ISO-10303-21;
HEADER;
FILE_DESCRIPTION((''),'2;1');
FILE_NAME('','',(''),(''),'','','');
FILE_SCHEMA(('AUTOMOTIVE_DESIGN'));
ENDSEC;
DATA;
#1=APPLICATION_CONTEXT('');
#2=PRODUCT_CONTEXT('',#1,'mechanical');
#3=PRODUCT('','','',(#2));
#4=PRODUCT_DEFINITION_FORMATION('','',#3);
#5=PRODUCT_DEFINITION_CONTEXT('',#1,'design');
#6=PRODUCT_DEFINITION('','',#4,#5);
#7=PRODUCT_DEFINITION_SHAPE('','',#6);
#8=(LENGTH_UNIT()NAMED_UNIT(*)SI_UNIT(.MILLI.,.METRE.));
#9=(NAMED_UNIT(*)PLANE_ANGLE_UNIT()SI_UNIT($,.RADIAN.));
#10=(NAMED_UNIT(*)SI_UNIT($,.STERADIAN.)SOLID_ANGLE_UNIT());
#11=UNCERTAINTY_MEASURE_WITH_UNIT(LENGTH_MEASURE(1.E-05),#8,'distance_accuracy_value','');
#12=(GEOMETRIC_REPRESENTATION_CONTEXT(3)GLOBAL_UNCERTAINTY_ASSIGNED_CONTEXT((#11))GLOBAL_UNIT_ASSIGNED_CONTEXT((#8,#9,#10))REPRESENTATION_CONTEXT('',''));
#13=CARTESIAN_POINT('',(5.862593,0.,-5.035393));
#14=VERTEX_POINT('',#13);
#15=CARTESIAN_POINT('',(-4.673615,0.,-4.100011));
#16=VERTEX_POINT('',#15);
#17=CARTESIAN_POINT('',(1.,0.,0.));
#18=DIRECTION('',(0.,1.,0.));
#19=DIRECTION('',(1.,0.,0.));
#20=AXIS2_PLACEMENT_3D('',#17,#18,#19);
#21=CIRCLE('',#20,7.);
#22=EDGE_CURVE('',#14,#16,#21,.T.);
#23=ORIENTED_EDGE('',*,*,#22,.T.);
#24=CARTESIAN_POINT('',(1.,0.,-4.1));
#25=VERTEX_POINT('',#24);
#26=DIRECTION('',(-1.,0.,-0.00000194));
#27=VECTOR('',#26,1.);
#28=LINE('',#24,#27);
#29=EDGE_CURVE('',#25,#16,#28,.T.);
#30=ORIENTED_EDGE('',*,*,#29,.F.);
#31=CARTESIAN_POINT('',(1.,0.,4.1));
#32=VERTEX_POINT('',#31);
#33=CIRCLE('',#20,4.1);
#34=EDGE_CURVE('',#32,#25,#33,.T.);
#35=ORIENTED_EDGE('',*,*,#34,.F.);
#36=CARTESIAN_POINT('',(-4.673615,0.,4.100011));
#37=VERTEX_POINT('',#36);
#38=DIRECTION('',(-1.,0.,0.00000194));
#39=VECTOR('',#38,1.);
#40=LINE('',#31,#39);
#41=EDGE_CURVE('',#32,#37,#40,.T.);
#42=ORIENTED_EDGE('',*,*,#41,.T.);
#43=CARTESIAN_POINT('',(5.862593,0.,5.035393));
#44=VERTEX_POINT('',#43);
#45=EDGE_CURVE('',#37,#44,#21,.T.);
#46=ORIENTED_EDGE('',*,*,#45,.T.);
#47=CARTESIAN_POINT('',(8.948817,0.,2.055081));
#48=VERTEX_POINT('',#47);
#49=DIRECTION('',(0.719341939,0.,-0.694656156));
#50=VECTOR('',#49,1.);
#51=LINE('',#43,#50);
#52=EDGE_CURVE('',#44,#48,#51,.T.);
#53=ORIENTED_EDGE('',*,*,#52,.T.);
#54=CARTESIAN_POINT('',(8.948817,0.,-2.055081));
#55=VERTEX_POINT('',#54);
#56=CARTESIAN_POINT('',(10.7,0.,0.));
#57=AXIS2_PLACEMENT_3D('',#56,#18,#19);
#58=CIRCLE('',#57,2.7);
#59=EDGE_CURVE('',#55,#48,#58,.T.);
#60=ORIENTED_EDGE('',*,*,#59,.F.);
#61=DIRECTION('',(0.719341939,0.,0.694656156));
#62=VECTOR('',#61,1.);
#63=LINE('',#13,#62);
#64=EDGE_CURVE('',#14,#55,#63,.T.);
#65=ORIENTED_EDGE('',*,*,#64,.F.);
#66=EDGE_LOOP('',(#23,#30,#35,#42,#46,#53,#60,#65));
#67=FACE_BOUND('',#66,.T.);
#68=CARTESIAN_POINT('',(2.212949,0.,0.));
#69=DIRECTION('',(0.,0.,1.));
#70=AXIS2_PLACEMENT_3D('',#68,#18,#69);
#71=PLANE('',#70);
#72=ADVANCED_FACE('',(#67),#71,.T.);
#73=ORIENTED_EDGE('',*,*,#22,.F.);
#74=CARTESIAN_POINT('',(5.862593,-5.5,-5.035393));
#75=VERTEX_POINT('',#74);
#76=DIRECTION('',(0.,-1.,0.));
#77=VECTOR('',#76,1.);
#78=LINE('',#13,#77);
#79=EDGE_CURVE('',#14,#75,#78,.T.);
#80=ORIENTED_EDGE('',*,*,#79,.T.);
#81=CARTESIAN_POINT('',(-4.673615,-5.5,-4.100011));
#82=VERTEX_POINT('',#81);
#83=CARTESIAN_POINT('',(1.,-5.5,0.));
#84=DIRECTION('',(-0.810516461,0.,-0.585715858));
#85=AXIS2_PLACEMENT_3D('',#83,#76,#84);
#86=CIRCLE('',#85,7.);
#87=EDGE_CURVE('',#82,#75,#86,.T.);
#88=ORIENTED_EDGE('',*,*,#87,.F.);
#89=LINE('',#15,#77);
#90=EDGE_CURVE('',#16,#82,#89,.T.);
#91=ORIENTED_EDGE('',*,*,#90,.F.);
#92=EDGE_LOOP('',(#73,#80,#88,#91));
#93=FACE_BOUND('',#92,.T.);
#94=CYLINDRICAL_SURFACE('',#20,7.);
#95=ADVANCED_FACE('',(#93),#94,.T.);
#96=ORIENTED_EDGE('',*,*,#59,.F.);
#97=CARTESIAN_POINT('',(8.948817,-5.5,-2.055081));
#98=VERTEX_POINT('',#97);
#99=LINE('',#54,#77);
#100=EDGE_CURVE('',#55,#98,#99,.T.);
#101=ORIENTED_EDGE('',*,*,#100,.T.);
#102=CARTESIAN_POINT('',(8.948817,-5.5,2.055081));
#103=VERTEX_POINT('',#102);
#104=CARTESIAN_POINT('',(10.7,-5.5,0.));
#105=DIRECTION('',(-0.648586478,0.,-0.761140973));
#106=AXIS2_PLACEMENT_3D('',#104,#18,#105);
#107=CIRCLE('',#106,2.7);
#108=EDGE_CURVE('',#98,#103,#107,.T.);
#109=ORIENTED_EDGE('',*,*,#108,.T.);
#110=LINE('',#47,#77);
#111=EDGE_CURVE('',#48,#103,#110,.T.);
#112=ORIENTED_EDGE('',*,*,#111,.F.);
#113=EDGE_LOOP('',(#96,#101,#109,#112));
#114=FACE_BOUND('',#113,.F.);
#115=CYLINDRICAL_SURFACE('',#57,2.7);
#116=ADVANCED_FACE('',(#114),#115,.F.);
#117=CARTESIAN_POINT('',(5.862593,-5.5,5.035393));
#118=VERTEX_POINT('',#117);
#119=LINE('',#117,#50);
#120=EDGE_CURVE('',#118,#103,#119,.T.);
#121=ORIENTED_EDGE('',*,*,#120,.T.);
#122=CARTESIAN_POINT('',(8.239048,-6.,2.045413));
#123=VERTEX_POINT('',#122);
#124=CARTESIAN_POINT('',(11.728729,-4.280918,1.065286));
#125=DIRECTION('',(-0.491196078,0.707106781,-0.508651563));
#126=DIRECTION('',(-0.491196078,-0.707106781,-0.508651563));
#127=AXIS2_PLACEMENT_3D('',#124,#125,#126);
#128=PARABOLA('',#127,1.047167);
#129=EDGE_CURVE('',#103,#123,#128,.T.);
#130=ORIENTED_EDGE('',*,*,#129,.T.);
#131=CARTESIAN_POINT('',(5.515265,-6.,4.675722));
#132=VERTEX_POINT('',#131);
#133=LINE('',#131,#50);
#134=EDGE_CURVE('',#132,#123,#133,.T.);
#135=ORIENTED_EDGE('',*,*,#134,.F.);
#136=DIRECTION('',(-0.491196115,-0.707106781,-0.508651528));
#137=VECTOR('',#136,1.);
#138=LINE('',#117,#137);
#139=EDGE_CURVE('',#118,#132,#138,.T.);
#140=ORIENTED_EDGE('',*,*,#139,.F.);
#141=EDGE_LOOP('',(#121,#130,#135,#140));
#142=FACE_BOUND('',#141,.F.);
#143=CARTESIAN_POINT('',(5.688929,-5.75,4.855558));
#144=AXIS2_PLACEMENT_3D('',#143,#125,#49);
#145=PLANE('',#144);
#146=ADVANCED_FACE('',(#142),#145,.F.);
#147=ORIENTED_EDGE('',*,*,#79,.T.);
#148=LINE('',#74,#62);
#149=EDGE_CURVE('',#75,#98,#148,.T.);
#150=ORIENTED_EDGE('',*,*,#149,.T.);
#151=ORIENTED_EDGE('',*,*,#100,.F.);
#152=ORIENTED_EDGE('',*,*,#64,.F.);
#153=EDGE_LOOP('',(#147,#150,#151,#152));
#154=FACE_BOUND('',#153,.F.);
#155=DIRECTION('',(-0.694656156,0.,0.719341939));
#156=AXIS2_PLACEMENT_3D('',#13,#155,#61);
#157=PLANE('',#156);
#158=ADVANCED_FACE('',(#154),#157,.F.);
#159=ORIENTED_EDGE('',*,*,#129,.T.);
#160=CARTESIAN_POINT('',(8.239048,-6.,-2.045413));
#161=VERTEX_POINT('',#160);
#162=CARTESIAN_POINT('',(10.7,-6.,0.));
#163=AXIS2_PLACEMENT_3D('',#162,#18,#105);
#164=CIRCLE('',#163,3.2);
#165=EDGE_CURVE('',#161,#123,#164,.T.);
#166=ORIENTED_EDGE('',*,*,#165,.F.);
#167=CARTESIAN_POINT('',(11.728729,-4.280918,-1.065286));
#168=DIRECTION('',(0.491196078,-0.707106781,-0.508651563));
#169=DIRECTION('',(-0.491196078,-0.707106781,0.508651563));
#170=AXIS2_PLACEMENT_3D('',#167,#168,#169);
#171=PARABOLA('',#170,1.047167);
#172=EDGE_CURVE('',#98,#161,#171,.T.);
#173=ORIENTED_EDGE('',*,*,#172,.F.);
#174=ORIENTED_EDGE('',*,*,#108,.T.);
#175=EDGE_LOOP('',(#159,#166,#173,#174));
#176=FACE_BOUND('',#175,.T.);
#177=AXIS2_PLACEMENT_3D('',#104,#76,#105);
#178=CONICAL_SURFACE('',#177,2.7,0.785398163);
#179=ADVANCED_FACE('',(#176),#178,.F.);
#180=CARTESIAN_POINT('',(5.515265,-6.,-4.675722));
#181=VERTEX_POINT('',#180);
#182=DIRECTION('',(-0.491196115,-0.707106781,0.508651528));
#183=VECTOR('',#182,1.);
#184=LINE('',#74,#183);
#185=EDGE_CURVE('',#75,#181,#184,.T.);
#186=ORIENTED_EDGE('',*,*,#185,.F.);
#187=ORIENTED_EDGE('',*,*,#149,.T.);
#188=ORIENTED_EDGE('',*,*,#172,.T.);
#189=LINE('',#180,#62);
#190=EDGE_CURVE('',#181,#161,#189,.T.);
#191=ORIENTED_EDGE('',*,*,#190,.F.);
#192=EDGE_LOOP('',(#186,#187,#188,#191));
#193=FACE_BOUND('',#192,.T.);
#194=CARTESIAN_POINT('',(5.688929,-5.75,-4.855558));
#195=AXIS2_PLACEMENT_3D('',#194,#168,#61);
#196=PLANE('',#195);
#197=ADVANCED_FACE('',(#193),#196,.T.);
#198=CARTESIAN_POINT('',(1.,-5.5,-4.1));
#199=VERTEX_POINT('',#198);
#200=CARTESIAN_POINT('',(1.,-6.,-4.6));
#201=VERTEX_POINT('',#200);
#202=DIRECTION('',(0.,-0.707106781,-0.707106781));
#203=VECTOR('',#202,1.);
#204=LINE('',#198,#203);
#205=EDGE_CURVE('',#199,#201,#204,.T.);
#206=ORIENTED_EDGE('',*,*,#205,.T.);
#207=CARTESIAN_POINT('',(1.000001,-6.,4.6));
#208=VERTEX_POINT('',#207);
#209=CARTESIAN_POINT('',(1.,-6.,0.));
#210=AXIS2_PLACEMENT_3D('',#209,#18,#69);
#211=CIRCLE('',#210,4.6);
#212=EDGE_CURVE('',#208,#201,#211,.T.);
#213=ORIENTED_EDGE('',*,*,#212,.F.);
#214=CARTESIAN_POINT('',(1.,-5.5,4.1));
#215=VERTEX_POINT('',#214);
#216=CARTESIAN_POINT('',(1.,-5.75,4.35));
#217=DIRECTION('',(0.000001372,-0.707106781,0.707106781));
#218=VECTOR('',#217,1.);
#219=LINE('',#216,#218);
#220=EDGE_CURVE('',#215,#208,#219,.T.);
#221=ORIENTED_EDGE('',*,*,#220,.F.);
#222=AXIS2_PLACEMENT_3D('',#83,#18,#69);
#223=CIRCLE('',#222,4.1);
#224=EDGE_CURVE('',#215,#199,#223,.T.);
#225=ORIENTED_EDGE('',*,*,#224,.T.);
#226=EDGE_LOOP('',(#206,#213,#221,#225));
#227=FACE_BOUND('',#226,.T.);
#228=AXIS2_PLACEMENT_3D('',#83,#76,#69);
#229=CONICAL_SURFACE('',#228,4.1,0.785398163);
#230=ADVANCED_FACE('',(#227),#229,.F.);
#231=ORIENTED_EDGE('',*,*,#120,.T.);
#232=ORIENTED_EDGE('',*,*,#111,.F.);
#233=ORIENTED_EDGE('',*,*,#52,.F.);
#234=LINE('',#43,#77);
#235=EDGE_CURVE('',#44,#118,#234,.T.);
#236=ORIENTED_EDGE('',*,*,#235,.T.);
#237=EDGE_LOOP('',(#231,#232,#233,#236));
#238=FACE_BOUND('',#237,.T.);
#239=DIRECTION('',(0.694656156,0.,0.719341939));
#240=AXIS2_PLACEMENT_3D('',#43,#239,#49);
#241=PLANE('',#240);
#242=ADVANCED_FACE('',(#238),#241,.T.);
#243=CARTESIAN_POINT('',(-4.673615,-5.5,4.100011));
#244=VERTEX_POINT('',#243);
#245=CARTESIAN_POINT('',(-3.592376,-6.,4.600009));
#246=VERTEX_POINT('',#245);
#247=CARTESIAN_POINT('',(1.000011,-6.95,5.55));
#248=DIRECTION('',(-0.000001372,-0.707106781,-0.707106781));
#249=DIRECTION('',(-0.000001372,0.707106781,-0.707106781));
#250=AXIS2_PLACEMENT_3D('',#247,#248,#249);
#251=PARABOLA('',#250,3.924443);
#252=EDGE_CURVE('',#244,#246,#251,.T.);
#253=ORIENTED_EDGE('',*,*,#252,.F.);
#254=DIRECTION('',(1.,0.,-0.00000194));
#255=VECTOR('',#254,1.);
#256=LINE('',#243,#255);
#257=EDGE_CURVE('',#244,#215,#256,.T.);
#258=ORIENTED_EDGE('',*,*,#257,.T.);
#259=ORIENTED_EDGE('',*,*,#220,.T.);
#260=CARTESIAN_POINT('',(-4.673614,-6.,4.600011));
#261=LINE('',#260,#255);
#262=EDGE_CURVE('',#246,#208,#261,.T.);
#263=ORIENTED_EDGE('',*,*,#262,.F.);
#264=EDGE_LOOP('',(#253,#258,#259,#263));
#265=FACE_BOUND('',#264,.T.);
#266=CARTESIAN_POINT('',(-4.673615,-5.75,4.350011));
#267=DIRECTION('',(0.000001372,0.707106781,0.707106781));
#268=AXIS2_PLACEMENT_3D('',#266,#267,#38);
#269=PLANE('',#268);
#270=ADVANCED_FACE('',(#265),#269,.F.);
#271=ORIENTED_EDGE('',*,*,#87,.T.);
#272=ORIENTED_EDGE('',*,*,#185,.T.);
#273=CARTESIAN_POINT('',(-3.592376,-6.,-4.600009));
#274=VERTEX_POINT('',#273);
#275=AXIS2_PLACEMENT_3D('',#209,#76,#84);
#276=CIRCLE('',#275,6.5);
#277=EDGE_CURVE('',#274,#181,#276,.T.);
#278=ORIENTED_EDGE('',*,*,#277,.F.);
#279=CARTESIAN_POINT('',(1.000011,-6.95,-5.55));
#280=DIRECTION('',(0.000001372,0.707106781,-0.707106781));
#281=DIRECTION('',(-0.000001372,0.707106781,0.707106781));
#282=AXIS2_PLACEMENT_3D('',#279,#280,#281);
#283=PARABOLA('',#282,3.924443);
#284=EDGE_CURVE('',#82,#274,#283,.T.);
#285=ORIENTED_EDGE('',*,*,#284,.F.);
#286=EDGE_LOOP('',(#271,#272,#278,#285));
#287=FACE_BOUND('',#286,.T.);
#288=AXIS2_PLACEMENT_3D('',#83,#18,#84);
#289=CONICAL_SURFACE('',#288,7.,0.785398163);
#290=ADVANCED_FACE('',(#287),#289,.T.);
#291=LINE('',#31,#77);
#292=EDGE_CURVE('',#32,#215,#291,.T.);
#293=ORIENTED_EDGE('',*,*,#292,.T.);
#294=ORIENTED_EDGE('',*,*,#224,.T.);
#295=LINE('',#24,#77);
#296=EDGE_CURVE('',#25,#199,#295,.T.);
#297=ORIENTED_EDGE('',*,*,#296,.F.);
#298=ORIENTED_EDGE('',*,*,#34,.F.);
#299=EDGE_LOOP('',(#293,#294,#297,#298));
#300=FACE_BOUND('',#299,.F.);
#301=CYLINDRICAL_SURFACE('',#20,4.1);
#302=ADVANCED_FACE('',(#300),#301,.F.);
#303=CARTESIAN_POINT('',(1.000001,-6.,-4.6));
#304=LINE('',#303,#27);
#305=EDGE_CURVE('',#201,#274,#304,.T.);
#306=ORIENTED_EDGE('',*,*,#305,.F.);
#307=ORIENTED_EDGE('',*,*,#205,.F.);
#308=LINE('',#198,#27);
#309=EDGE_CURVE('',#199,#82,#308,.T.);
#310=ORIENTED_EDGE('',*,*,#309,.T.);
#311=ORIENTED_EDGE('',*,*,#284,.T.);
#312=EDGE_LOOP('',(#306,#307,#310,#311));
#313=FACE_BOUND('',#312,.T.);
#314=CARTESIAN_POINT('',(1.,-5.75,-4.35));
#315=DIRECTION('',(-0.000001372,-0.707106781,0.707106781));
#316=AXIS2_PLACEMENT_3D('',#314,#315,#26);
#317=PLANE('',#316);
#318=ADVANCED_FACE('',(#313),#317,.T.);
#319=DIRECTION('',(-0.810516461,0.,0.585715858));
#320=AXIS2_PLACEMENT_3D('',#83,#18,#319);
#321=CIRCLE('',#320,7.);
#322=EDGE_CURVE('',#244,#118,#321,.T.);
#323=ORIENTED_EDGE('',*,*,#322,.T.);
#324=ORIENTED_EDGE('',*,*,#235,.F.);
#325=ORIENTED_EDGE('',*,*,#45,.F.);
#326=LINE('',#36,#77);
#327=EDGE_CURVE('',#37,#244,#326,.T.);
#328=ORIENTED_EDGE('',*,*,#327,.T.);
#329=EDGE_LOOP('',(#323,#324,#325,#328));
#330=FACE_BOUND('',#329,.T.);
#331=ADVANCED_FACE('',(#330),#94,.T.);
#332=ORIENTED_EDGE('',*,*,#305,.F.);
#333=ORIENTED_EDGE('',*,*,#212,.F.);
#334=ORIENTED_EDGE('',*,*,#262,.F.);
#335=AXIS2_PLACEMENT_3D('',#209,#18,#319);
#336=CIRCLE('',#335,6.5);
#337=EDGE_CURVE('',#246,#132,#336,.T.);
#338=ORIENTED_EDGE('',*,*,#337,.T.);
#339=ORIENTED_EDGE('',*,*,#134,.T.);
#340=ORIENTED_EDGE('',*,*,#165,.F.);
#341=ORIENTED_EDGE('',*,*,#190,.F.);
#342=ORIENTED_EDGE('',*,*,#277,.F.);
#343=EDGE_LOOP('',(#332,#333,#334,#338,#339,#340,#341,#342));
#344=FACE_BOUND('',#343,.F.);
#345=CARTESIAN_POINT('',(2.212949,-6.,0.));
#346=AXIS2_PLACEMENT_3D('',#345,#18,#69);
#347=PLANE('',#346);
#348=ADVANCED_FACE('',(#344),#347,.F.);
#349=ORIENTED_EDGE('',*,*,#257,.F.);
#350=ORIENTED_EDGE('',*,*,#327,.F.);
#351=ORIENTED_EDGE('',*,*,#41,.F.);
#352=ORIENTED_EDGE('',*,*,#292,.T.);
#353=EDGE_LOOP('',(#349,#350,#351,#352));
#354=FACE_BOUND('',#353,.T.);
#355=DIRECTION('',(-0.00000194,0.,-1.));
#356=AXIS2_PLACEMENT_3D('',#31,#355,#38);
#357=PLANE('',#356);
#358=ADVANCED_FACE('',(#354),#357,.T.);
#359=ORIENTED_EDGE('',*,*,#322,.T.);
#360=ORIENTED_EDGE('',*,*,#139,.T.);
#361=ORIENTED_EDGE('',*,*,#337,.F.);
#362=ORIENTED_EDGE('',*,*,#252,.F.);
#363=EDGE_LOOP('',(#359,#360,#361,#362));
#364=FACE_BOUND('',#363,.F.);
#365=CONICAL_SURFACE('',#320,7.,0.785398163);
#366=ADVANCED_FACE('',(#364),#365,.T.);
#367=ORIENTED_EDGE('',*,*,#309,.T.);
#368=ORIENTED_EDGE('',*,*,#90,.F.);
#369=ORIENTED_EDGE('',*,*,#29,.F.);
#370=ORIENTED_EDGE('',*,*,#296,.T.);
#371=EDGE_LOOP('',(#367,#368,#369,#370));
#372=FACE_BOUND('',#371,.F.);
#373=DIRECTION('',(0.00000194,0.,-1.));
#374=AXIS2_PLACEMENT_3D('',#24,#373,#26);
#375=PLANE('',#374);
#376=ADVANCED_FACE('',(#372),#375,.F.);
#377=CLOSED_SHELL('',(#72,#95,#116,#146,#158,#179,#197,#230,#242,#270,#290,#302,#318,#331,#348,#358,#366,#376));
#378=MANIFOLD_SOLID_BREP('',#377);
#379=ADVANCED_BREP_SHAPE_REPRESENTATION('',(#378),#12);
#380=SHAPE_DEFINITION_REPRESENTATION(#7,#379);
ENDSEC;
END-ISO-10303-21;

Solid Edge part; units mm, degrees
sketch "Sketch1" plane through (0, 0, 0) normal (0, -1, 0) x (1, 0, 0)
  arc A0 (-4.6736, 4.1) -> (5.8626, 5.0354) centre (1, 0) cw
  line L0 (5.8626, 5.0354) -> (8.9488, 2.0551)
  line L1 (5.8626, -5.0354) -> (8.9488, -2.0551)
  arc A1 (5.8626, -5.0354) -> (-4.6736, -4.1) centre (1, 0) cw
  line L2 (1, -4.1) -> (-4.6736, -4.1)
  line L3 (1, 4.1) -> (-4.6736, 4.1)
  arc A2 (8.9488, -2.0551) -> (8.9488, 2.0551) centre (10.7, 0) cw
  arc A3 (1, 4.1) -> (1, -4.1) centre (1, 0) cw
extrude "Protrusion1" add sketch "Sketch1" along normal blind 6
extrude "ExtrudedCutout_1" [suppressed]
chamfer "Chamfer_1" distance 0.5 angle 45 8 edges at (5.1, -6, 0) (-1.8368, -6, 4.1) (-1.8368, -6, -4.1) (0.381, -6, 6.9726) (7.4057, -6, 3.5452) (7.4057, -6, -3.5452) (0.381, -6, -6.9726) (8, -6, 0)
properties material "ABS Plastic, medium impact"
